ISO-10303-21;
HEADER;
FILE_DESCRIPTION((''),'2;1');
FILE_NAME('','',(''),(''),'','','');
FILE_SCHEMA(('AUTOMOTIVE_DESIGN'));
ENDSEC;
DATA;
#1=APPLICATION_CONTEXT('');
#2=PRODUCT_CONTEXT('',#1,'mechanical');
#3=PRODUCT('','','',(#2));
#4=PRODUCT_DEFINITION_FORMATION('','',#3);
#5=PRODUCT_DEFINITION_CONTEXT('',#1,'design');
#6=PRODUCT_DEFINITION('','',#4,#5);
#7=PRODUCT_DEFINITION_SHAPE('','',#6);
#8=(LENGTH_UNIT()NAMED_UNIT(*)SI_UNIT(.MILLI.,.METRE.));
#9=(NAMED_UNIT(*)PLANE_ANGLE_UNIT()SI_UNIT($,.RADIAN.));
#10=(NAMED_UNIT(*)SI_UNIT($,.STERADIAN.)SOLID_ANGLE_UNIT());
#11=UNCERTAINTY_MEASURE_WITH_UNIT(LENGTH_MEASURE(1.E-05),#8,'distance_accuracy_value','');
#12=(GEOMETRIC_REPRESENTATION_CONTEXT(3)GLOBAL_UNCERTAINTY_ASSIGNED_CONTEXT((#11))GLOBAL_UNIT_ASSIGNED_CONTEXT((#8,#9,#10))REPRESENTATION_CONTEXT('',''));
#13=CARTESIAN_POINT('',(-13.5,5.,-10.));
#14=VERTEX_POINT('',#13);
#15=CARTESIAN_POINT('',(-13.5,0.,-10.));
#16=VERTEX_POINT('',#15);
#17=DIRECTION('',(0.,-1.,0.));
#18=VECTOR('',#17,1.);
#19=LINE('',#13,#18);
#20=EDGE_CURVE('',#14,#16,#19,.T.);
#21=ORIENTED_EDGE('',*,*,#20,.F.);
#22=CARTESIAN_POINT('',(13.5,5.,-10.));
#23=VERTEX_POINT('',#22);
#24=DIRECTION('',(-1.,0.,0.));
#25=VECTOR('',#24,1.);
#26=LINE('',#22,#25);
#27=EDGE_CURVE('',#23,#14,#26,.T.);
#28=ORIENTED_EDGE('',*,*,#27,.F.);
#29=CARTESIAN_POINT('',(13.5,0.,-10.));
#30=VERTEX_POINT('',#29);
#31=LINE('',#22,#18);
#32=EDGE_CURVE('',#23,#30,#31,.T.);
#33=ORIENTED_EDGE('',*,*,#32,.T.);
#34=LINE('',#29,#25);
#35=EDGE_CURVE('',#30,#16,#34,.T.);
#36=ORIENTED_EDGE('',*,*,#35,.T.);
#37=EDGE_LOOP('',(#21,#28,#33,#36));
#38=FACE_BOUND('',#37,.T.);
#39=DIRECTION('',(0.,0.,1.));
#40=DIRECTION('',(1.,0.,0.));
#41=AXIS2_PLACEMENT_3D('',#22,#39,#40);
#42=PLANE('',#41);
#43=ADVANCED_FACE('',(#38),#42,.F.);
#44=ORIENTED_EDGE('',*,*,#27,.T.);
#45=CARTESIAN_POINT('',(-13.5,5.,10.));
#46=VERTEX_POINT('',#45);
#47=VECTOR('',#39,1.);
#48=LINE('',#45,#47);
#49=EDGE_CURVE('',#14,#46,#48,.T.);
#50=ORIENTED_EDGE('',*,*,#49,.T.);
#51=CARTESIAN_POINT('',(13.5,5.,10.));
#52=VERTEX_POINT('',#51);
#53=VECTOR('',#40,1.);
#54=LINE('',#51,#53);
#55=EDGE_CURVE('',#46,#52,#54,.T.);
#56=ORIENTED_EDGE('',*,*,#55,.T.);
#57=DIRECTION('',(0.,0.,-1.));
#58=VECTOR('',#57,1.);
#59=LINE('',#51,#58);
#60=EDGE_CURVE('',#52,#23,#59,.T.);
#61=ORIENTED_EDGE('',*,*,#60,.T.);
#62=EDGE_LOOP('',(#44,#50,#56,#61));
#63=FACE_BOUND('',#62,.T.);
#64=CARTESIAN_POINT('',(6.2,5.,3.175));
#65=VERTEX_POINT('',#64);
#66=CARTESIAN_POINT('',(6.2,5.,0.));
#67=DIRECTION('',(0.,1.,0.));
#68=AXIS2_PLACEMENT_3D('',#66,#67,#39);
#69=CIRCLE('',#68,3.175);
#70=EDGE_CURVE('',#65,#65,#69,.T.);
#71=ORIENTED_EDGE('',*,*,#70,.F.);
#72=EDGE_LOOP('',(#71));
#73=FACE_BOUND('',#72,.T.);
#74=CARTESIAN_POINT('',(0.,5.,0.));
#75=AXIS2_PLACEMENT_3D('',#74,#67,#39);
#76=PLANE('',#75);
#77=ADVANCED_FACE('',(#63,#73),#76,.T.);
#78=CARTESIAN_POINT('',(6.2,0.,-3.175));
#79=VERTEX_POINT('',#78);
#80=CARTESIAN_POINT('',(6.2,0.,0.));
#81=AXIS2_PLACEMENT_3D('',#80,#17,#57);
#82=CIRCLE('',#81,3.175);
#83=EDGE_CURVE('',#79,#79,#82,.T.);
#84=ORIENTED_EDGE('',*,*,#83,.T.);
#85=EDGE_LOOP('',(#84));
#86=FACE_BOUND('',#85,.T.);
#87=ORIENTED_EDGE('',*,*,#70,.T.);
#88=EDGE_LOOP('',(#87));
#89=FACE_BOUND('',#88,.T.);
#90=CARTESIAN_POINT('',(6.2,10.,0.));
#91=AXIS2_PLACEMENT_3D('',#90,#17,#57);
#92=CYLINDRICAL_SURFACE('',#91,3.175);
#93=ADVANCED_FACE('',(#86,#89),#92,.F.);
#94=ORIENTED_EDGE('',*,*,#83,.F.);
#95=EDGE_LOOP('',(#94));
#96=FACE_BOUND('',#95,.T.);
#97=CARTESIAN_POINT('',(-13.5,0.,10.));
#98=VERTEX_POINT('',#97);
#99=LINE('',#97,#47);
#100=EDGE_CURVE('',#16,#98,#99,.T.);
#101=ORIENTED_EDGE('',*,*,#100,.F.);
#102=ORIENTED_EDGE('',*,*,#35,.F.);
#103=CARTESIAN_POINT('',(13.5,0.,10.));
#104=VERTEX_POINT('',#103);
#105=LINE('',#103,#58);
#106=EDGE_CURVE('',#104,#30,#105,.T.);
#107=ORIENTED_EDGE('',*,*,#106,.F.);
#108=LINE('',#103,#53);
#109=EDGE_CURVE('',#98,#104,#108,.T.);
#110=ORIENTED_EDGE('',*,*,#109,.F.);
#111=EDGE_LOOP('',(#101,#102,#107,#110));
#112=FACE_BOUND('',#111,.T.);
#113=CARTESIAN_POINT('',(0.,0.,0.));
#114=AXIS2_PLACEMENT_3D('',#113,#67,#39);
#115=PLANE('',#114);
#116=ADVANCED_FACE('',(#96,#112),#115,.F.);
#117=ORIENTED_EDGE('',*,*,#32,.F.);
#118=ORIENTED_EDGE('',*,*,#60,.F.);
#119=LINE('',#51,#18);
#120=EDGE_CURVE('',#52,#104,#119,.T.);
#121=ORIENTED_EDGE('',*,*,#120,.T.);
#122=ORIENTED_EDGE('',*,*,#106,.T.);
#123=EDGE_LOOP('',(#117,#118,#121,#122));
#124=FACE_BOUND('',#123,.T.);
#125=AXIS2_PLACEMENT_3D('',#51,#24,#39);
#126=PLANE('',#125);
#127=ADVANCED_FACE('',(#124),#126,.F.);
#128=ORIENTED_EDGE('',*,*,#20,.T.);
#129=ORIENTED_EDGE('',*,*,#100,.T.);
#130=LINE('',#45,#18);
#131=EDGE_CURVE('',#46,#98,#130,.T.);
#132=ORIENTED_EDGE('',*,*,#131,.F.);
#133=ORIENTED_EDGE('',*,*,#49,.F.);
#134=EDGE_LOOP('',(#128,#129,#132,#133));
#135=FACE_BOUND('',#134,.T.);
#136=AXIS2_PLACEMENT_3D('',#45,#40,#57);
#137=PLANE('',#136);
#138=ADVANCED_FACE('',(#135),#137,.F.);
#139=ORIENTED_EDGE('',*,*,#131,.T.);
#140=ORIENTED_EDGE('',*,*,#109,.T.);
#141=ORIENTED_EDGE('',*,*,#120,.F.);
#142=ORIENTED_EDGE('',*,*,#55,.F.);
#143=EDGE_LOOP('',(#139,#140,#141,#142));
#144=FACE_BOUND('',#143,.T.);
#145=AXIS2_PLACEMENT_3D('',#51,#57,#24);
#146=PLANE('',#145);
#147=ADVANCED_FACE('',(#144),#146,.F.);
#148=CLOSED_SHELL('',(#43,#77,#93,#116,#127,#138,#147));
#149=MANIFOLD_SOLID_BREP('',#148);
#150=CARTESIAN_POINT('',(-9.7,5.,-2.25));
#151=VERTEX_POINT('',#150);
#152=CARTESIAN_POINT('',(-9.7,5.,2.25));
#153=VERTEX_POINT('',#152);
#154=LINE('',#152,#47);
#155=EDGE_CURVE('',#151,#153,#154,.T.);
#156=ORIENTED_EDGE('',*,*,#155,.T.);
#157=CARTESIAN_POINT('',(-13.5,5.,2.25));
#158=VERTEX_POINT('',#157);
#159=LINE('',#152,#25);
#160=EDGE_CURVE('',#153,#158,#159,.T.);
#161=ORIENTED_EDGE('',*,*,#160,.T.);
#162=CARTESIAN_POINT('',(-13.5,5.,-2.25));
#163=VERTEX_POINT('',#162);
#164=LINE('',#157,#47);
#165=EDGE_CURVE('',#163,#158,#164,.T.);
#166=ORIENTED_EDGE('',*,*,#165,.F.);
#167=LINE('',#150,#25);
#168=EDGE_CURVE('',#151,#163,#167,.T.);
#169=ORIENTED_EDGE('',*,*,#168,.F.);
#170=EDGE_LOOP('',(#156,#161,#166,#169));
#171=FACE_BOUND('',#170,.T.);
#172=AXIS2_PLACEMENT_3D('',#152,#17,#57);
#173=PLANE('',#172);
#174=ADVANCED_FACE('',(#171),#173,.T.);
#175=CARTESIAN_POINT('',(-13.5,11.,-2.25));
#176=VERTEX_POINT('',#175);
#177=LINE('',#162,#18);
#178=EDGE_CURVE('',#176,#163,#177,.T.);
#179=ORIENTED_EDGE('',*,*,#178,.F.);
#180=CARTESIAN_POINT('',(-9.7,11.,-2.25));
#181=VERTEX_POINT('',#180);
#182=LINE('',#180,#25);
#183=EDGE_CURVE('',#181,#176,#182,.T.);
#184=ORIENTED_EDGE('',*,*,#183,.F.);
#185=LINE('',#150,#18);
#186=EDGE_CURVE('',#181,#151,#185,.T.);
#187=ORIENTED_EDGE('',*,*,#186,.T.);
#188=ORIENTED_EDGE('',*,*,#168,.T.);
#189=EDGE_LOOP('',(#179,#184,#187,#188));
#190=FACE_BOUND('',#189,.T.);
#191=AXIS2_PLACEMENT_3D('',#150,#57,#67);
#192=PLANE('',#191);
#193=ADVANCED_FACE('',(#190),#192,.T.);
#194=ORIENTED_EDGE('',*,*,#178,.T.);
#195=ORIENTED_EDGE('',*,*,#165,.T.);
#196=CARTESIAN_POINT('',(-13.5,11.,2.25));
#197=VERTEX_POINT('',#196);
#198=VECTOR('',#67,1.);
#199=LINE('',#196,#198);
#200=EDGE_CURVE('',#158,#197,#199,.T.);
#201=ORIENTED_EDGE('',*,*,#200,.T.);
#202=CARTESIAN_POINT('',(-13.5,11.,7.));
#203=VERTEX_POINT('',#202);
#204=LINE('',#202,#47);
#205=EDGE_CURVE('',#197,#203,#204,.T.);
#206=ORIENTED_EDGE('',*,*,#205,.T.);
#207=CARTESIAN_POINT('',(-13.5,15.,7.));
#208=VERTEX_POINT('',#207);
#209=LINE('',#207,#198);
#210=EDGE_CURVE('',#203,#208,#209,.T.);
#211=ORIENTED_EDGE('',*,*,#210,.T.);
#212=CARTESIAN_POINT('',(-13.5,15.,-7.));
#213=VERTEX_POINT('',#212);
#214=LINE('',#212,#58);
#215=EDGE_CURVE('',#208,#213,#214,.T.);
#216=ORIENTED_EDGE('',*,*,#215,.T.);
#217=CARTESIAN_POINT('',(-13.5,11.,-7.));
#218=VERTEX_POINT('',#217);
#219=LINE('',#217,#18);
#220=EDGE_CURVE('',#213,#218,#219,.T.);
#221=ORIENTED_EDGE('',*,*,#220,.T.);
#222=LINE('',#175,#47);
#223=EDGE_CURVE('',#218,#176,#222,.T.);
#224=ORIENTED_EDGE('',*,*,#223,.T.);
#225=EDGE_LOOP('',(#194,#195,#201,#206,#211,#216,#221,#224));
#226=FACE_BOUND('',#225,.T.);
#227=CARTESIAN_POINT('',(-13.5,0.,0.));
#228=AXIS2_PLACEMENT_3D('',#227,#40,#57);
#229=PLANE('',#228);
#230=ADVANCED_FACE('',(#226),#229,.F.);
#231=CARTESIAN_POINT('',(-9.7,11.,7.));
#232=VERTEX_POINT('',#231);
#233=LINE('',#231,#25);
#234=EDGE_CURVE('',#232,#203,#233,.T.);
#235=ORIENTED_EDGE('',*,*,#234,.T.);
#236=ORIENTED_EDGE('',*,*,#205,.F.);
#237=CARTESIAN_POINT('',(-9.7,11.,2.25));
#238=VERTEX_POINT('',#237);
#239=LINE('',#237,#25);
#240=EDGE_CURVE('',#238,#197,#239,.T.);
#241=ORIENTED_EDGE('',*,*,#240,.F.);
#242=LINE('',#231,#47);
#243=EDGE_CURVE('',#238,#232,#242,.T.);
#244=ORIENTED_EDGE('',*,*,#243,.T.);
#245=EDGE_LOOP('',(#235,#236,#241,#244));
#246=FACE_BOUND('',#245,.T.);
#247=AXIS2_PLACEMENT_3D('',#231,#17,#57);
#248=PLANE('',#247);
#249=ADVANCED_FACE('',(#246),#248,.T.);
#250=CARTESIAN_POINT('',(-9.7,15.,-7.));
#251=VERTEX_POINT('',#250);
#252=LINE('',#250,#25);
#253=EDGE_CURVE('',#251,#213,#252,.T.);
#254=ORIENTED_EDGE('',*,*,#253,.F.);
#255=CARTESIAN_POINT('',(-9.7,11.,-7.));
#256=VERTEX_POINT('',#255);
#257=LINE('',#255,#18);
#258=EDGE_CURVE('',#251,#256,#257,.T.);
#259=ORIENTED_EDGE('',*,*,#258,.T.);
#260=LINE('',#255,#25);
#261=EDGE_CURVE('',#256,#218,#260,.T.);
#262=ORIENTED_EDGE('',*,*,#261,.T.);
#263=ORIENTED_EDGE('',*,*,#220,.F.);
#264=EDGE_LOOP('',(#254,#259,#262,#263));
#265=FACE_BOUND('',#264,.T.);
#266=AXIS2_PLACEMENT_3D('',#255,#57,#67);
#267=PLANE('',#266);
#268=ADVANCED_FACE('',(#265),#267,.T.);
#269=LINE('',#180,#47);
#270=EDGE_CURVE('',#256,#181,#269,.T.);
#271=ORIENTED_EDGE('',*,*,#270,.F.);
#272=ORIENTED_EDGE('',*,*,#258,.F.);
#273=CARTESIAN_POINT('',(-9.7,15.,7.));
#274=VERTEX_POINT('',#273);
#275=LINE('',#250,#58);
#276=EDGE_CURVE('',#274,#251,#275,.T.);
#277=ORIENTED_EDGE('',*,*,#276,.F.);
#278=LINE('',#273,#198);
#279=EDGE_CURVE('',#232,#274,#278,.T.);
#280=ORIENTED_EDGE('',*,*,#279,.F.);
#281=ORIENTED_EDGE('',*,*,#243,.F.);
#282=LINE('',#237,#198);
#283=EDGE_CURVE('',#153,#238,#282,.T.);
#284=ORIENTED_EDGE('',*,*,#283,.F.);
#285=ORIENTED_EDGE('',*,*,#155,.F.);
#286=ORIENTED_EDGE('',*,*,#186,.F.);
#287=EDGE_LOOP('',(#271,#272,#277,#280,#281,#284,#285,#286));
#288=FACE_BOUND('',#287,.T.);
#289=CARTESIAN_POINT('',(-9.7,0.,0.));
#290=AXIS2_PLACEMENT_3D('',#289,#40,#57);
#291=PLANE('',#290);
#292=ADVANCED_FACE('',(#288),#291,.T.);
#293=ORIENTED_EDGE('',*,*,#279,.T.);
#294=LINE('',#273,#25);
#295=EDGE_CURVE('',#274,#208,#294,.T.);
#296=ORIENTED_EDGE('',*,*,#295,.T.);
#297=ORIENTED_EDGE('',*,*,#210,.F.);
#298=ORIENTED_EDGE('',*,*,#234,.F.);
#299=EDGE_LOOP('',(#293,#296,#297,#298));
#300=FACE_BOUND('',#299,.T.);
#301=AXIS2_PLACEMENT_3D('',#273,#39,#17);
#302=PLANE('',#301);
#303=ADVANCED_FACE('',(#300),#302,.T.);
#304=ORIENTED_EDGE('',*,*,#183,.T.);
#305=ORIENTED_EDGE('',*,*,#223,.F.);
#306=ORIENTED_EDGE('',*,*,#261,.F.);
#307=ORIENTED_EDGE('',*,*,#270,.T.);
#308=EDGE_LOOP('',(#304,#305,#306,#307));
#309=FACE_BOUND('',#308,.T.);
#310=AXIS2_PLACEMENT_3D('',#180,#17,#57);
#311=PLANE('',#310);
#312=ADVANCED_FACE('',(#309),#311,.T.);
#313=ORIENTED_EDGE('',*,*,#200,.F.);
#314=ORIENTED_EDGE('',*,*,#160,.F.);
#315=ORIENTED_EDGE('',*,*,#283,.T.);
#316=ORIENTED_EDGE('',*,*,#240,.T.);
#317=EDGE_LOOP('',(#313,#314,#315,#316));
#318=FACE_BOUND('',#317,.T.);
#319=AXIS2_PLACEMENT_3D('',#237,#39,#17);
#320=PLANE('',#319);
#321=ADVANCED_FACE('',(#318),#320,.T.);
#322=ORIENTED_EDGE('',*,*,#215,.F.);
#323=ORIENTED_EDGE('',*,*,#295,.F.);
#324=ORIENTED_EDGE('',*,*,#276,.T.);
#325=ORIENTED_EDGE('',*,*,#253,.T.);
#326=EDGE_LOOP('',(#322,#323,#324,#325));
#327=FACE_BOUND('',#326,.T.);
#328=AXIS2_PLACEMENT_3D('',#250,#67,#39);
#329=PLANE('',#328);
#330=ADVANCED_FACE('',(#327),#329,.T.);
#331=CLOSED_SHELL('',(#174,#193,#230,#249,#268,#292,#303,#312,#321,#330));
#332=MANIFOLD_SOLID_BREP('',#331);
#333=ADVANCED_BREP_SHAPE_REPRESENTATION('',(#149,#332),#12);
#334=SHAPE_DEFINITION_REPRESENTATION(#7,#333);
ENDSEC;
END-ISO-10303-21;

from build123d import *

# Parameters (mm, degrees)
SKETCH1_W           = 27
SKETCH1_H           = 20
BOSS_EXTRUDE1_DEPTH = 5
BOSS_EXTRUDE2_DEPTH = 3.8
SKETCH3_R           = 3.175
CUT_EXTRUDE1_DEPTH  = 10


with BuildPart() as part:
    # Sketch1 → Boss-Extrude1 (new body)
    with BuildSketch(Plane(origin=(0, 0, 0), x_dir=(1, 0, 0), z_dir=(0, 1, 0))):
        Rectangle(SKETCH1_W, SKETCH1_H)
    extrude(amount=BOSS_EXTRUDE1_DEPTH)

    # Sketch3 → Cut-Extrude1 (cut)
    with BuildSketch(Plane.XZ):
        with Locations(Location((6.2, 0, 0), (0, 0, 270))):
            Circle(SKETCH3_R)
    extrude(amount=-CUT_EXTRUDE1_DEPTH, mode=Mode.SUBTRACT)


with BuildPart() as body_2:
    # Sketch2 → Boss-Extrude2 (new body)
    with BuildSketch(Plane.ZY.offset(13.5)):
        Polygon((2.25, 5), (-2.25, 5), (-2.25, 11), (-7, 11), (-7, 15), (7, 15), (7, 11), (2.25, 11), align=None)
    extrude(amount=-BOSS_EXTRUDE2_DEPTH)


solid = Compound([part.part, body_2.part])
